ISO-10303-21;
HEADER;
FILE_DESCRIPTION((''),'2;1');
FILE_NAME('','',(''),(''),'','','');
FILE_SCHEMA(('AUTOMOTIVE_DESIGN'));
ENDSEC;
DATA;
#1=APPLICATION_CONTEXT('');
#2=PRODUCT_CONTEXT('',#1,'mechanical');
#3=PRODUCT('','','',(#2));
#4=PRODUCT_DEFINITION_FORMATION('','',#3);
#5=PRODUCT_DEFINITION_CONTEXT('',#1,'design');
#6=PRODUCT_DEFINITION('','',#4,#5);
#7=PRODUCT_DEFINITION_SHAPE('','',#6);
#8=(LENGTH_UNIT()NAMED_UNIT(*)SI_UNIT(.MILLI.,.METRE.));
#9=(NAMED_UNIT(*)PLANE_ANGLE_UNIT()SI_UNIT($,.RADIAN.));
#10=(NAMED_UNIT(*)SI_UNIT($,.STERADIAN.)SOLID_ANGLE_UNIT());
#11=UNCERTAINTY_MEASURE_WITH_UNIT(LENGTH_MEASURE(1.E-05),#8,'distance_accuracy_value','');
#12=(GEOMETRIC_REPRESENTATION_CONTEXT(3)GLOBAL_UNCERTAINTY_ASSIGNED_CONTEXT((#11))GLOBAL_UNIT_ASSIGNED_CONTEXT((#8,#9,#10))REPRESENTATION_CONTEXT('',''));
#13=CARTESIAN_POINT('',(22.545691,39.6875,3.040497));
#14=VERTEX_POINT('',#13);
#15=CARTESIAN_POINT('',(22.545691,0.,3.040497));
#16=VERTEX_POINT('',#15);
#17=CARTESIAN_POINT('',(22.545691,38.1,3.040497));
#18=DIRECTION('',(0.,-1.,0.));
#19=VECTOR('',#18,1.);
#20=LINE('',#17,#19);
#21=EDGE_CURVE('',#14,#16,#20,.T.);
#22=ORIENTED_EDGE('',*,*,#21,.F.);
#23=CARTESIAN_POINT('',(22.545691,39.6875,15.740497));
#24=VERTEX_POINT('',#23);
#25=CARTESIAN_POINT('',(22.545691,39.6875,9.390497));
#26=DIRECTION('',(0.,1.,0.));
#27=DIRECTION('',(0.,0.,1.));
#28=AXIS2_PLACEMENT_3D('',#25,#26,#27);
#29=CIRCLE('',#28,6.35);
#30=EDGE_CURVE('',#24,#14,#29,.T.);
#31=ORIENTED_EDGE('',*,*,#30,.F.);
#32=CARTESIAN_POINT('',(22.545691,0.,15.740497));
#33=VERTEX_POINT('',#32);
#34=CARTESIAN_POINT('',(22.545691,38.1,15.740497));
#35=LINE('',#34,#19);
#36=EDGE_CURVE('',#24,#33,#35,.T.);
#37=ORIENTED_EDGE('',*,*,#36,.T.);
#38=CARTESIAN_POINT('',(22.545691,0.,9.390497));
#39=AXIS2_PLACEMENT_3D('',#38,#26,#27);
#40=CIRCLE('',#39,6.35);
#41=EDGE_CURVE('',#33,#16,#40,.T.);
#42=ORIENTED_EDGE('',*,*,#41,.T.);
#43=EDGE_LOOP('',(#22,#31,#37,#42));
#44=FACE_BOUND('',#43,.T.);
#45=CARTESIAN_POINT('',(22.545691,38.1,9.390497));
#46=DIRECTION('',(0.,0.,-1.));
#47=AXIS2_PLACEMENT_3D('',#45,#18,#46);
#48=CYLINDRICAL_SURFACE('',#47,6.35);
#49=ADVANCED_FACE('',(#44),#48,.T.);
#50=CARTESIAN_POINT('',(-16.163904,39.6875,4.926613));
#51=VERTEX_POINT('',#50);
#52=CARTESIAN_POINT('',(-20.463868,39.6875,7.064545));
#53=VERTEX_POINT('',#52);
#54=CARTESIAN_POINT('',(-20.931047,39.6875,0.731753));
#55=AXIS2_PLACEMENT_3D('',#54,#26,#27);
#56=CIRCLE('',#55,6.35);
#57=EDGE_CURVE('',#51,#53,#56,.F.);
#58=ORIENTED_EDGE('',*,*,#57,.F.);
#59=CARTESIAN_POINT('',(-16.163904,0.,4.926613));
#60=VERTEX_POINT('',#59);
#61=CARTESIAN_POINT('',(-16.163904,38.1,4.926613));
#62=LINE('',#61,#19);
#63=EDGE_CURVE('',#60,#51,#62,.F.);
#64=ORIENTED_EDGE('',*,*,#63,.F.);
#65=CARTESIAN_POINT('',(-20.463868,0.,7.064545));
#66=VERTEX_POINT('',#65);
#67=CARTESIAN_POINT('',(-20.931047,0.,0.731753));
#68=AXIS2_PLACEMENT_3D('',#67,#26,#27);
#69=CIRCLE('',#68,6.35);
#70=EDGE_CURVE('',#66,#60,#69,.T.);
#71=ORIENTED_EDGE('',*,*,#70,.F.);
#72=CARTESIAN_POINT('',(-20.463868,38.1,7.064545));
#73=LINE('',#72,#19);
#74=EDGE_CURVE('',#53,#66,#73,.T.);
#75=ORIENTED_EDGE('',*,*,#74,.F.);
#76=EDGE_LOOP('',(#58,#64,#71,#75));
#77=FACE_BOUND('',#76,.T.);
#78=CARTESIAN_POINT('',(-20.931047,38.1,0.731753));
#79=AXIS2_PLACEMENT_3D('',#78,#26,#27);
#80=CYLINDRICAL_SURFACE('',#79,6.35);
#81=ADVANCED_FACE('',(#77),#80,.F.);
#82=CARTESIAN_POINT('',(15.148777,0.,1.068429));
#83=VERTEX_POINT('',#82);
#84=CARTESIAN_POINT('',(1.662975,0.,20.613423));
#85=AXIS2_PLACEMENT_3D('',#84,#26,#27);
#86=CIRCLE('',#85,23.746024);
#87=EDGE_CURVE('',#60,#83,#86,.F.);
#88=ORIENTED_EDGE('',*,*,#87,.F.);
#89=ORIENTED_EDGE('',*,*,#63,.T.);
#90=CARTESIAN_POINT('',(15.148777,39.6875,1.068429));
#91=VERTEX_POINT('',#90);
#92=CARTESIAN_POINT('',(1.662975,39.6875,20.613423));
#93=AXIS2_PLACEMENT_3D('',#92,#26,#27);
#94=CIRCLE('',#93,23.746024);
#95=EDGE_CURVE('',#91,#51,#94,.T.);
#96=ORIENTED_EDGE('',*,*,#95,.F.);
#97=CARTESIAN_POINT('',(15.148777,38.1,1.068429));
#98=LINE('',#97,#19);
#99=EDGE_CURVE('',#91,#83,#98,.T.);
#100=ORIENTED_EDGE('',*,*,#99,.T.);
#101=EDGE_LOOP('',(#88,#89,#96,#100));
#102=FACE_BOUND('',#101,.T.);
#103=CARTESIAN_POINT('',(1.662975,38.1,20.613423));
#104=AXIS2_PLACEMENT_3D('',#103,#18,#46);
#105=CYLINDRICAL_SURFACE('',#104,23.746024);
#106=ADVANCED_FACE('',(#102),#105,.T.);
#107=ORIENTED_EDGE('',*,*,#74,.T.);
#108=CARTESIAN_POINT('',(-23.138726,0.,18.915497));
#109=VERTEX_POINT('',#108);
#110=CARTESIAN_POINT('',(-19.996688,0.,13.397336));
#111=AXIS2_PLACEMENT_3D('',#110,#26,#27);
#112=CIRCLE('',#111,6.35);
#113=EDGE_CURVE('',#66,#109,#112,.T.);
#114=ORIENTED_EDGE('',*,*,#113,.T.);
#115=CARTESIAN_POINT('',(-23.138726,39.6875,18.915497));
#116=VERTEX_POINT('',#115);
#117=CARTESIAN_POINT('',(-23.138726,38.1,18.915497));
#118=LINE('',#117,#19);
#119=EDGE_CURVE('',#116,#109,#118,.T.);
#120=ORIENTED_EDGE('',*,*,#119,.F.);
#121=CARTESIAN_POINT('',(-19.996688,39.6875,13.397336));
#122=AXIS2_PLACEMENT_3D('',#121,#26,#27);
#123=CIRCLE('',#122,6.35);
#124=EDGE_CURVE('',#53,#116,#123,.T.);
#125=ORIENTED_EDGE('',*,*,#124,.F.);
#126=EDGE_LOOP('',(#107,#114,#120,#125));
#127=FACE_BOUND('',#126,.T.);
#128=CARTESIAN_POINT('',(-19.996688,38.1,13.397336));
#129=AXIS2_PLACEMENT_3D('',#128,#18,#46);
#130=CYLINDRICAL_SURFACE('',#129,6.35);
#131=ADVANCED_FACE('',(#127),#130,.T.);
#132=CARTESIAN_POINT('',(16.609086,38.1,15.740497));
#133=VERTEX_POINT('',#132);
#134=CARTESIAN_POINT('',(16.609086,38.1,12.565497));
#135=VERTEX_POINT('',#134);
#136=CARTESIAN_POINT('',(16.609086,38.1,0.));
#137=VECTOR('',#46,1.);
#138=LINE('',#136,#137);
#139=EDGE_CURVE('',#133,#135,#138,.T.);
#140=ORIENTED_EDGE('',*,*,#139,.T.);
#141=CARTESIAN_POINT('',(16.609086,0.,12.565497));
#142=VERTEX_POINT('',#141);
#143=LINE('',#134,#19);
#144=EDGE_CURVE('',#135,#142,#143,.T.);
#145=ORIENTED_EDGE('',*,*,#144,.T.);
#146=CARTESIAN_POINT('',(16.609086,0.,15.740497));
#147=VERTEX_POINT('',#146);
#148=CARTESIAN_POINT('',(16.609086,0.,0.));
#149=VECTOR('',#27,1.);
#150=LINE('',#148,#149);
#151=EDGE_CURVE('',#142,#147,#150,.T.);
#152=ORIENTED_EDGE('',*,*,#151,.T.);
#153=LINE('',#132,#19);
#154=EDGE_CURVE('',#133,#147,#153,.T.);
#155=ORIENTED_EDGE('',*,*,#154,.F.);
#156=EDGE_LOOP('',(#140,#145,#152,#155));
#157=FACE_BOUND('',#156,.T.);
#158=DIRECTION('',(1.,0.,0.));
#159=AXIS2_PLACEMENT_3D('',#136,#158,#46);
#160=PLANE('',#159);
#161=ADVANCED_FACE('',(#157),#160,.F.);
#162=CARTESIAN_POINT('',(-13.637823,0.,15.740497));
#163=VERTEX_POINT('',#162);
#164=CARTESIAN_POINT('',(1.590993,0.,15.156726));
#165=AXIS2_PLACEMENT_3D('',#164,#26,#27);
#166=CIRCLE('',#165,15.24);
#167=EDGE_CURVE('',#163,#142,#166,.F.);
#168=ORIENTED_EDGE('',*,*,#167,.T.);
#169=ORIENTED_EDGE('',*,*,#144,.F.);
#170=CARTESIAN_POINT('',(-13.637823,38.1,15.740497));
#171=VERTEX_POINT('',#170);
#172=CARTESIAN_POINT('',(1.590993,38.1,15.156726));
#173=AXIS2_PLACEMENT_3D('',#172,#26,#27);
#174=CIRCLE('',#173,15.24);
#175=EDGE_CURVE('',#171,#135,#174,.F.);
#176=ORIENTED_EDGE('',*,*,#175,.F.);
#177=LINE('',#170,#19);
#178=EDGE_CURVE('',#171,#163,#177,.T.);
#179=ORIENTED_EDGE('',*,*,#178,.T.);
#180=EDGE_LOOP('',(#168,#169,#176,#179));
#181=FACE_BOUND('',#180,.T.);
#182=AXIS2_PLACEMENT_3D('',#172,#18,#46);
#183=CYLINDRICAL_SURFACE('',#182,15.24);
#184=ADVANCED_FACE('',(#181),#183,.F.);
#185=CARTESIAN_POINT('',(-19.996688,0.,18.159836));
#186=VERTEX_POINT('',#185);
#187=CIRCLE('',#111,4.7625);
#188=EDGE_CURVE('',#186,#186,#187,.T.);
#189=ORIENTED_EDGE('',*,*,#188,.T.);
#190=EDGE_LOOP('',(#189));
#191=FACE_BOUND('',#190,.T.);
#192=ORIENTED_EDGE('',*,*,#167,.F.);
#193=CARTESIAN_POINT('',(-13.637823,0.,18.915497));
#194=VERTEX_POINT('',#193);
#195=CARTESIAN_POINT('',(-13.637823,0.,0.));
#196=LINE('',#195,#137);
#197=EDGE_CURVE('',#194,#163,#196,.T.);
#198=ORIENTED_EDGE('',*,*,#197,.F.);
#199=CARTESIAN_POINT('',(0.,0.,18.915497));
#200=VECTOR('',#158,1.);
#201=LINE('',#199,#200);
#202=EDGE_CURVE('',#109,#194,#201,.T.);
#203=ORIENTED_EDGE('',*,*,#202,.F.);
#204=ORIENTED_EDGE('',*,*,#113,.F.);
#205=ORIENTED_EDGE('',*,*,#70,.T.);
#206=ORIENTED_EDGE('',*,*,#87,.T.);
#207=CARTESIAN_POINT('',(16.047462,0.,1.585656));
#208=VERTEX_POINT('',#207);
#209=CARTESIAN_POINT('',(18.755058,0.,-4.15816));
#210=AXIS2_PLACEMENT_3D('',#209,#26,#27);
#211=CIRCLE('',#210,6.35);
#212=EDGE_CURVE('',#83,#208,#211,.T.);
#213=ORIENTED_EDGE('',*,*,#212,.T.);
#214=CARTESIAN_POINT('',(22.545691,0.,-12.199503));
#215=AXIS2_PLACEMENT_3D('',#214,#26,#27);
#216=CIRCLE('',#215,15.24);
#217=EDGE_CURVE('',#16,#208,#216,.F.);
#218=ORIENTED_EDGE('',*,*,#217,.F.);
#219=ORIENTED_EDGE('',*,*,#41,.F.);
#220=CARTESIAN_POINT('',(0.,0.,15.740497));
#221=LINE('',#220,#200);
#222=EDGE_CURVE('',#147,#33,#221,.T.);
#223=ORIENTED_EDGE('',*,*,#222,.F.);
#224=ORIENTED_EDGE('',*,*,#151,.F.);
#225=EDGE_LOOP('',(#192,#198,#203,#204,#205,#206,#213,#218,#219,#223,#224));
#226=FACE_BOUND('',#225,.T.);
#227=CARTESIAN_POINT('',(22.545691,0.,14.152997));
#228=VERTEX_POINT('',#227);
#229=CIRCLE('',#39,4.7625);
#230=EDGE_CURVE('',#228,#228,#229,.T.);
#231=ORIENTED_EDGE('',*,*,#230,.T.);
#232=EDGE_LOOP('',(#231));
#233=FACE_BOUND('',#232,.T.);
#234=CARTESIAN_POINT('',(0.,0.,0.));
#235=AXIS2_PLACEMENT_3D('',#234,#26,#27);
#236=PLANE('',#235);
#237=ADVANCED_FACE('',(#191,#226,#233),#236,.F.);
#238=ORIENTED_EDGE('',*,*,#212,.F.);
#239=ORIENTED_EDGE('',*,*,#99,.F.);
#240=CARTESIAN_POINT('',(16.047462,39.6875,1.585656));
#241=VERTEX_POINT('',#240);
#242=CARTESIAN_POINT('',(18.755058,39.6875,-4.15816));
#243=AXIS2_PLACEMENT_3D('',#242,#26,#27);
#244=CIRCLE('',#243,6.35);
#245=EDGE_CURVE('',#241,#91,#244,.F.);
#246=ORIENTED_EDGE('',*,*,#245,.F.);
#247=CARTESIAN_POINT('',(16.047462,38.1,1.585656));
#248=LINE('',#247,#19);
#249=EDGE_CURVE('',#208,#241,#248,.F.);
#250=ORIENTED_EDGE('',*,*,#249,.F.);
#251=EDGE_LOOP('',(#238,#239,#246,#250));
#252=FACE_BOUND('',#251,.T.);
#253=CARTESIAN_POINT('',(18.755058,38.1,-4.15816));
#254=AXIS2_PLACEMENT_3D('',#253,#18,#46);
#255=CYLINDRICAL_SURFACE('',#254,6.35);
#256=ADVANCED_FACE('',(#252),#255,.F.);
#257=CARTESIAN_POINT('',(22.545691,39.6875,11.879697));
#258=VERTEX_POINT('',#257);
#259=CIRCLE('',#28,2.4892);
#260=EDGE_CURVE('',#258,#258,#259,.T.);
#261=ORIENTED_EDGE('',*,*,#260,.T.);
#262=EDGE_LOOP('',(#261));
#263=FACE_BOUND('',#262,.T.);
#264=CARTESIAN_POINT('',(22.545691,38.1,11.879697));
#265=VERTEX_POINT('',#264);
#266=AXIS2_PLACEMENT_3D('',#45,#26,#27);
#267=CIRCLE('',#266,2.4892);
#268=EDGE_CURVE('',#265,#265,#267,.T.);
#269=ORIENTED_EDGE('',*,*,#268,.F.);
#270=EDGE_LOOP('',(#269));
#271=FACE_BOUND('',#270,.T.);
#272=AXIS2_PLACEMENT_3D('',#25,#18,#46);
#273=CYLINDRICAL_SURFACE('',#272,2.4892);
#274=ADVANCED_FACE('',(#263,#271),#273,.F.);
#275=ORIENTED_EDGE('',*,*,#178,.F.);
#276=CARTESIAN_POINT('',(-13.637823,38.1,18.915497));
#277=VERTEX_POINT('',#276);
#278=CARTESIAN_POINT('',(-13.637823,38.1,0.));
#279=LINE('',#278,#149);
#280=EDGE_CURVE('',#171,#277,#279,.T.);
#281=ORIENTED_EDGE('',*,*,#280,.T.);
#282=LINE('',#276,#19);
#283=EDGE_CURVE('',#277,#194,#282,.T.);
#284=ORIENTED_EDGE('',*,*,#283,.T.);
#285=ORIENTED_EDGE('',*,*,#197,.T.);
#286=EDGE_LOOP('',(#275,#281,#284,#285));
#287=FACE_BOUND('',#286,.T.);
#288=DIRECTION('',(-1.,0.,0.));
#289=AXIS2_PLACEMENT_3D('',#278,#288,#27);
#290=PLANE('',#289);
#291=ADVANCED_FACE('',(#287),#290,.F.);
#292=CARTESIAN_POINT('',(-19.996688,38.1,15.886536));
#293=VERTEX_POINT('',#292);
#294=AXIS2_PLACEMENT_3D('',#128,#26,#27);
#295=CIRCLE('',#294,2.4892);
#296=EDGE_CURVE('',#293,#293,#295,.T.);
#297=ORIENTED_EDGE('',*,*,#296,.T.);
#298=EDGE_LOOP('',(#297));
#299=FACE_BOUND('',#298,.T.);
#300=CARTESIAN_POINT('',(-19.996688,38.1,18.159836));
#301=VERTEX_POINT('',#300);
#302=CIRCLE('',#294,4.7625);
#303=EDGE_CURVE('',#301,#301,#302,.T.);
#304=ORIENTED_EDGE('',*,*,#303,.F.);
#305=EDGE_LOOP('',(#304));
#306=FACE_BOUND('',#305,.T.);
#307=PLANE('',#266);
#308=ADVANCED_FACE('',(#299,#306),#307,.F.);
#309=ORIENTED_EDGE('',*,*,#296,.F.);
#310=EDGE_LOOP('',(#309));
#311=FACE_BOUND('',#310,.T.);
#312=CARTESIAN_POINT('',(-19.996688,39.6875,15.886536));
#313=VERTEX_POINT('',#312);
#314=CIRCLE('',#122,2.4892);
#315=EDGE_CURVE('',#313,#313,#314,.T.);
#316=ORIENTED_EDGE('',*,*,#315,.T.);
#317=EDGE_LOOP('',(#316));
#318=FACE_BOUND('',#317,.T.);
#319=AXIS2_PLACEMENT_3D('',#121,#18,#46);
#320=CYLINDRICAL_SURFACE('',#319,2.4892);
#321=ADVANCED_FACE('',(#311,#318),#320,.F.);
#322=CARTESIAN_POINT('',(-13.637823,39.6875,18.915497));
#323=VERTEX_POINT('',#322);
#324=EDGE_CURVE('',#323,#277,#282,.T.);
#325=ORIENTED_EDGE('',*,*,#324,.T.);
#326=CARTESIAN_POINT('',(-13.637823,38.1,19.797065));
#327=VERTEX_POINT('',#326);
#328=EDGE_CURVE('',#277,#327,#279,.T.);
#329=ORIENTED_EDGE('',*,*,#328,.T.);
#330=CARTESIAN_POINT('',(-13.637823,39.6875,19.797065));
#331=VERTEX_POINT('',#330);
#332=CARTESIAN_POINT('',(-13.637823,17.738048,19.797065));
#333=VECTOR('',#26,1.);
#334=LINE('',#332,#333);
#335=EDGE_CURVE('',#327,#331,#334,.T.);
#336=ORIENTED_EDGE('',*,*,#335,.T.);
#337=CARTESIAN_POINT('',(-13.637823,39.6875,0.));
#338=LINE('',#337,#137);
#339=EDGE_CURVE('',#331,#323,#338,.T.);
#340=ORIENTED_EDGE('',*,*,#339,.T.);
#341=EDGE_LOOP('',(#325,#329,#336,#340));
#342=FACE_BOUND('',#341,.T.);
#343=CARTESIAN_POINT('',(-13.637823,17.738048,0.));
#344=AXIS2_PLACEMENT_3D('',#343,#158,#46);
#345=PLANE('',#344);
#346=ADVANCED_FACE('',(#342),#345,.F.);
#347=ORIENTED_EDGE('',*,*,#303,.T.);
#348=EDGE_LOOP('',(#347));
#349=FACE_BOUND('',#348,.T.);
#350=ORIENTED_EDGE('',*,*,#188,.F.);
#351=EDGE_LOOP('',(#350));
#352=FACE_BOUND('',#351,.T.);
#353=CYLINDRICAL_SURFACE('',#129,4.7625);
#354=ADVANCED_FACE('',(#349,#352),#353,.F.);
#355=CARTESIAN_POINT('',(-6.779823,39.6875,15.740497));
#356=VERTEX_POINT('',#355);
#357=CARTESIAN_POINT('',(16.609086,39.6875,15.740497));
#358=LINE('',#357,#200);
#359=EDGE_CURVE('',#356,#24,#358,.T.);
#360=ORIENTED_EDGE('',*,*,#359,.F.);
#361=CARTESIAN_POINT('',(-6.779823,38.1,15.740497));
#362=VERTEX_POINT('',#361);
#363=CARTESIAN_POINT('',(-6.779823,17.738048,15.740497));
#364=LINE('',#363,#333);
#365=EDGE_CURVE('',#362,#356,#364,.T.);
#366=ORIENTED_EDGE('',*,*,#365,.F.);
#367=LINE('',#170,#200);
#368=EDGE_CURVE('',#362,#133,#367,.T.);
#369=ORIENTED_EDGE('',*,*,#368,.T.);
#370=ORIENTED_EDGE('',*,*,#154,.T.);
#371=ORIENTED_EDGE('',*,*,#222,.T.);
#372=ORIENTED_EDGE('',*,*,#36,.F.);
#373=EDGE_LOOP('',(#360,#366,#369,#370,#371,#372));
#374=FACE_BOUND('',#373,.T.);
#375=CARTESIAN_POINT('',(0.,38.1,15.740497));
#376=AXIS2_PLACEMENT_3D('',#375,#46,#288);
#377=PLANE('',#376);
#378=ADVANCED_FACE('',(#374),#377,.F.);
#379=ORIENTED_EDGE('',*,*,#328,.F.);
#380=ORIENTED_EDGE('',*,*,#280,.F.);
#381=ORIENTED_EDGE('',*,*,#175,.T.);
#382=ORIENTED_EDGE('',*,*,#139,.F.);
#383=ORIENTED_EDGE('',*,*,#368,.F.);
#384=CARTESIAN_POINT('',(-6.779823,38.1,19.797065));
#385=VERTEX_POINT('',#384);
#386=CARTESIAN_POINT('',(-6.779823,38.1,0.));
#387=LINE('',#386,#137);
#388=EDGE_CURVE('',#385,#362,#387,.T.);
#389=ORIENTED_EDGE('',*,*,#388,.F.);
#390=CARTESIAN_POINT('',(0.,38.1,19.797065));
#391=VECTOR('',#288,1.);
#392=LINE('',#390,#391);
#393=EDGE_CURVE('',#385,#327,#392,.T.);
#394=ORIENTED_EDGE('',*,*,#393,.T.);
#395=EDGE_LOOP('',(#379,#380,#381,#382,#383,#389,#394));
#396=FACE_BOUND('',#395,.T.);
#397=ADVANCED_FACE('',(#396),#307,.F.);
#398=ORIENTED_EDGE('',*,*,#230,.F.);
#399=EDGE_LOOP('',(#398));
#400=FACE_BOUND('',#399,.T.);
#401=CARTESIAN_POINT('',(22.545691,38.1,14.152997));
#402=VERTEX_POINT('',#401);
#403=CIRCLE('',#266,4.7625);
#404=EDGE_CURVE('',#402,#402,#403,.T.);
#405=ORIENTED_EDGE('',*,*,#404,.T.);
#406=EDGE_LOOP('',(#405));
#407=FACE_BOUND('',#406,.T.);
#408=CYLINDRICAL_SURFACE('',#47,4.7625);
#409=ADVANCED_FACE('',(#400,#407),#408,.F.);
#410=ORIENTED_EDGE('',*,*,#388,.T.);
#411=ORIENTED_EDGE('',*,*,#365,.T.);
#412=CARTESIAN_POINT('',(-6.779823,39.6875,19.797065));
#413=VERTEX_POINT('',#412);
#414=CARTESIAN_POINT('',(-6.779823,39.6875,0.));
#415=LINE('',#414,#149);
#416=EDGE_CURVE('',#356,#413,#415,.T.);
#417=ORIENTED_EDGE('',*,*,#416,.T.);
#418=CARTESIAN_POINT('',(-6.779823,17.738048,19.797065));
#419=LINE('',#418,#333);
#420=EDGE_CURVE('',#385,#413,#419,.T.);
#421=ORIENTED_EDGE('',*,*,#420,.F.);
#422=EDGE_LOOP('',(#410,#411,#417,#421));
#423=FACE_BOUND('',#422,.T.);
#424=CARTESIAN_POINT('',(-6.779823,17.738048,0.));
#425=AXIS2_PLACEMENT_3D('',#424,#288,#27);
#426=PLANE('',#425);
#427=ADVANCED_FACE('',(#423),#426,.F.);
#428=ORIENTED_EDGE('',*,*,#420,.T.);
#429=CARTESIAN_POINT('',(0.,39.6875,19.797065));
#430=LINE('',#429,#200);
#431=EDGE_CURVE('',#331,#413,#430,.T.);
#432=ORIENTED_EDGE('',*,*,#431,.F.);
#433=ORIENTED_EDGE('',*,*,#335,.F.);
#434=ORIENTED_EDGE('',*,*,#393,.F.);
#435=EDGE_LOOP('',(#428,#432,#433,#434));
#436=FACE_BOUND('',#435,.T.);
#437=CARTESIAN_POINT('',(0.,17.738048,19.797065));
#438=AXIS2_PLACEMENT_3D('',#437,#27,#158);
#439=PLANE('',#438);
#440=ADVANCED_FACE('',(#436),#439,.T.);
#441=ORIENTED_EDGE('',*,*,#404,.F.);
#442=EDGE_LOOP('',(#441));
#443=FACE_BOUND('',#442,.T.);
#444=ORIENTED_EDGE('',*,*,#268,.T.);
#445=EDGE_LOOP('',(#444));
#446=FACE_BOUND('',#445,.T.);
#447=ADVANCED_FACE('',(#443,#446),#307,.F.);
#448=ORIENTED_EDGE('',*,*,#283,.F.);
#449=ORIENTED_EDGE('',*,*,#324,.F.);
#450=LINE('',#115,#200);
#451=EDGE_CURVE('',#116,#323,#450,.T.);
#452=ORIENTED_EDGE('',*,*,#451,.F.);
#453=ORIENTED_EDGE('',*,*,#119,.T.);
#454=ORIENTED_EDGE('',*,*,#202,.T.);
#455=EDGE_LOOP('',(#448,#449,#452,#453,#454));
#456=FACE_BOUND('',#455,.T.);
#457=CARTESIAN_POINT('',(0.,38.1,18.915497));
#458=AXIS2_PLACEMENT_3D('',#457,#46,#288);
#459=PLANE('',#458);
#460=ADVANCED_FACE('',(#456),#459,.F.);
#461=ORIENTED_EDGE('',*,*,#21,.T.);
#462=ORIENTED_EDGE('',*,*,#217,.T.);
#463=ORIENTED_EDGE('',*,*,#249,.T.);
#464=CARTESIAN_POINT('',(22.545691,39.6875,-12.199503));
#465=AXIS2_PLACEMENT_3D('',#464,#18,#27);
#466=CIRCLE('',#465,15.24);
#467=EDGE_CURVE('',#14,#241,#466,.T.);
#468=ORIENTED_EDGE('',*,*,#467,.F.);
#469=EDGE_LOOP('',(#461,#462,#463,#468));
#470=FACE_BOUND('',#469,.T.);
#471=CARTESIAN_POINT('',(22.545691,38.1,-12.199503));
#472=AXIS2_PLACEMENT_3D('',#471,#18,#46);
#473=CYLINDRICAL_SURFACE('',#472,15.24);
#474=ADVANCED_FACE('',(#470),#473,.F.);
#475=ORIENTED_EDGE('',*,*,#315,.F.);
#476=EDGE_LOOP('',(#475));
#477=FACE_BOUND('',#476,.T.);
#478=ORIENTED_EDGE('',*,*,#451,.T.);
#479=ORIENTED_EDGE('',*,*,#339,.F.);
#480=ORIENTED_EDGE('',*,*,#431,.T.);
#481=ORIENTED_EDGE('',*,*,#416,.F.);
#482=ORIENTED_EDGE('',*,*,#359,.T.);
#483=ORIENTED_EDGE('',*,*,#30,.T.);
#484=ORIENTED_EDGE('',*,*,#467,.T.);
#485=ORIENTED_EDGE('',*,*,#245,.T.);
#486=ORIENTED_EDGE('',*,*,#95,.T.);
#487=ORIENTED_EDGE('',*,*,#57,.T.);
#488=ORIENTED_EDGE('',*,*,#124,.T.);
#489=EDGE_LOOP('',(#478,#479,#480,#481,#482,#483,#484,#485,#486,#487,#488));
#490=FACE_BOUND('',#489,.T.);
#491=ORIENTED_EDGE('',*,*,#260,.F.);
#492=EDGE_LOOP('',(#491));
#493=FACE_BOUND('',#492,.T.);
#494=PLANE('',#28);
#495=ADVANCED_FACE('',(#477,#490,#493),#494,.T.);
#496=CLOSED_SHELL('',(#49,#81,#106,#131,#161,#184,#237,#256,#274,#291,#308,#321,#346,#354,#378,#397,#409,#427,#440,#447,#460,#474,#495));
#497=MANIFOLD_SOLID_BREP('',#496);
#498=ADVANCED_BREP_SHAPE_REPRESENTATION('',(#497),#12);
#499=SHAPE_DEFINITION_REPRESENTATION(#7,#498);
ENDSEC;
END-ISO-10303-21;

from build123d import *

# Parameters (mm, degrees)
SKETCH2_R           = 4.7625
BOSS_EXTRUDE1_DEPTH = 38.1
SKETCH3_R           = 2.4892
BOSS_EXTRUDE2_DEPTH = 1.5875
SKETCH4_W           = 6.858
SKETCH4_H           = 4.056568305
SKETCH4_W_2         = 20.112893425
SKETCH4_H_2         = 3.175
BOSS_EXTRUDE3_DEPTH = 1.5875
FILLET2_R           = 6.35


with BuildPart() as part:
    # Sketch2 → Boss-Extrude1 (new body)
    with BuildSketch(Plane(origin=(0, 0, 0), x_dir=(1, 0, 0), z_dir=(0, 1, 0))):
        with BuildLine():
            Line((-13.637822674, -18.9154966), (-13.637822674, -15.7404966))
            ThreePointArc((-13.637822674, -15.7404966), (0, 0), (16.609085938, -12.5654966))
            Line((16.609085938, -12.5654966), (16.609085938, -15.7404966))
            Line((16.609085938, -15.7404966), (22.545691393, -15.7404966))
            ThreePointArc((22.545691393, -15.7404966), (28.895691393, -9.3904966), (22.545691393, -3.0404966))
            ThreePointArc((22.545691393, -3.0404966), (18.914562129, -2.601594541), (15.492581173, -1.310168551))
            ThreePointArc((15.492581173, -1.310168551), (-2.207478742, 2.815047226), (-17.640279185, -6.783817119))
            ThreePointArc((-17.640279185, -6.783817119), (-18.810770101, -6.984553123), (-19.996688426, -7.047335697))
            ThreePointArc((-19.996688426, -7.047335697), (-26.135207048, -11.772192893), (-23.138726022, -18.9154966))
            Line((-23.138726022, -18.9154966), (-13.637822674, -18.9154966))
        make_face()
        with Locations((-19.996688426, -13.397335697)):
            Circle(SKETCH2_R, mode=Mode.SUBTRACT)
        with Locations((22.545691393, -9.3904966)):
            Circle(SKETCH2_R, mode=Mode.SUBTRACT)
    extrude(amount=BOSS_EXTRUDE1_DEPTH)

    # Sketch3 → Boss-Extrude2 (add)
    with BuildSketch(Plane(origin=(0, 38.1, 0), x_dir=(-1, 0, 0), z_dir=(0, 1, 0))):
        with BuildLine():
            Line((13.637822674, 15.7404966), (3.503807487, 15.7404966))
            Line((3.503807487, 15.7404966), (3.503807487, 12.5654966))
            Line((3.503807487, 12.5654966), (-16.609085938, 12.5654966))
            Line((-16.609085938, 12.5654966), (-16.609085938, 15.7404966))
            Line((-16.609085938, 15.7404966), (-22.545691393, 15.7404966))
            ThreePointArc((-22.545691393, 15.7404966), (-28.895691393, 9.3904966), (-22.545691393, 3.0404966))
            ThreePointArc((-22.545691393, 3.0404966), (-18.914562129, 2.601594541), (-15.492581173, 1.310168551))
            ThreePointArc((-15.492581173, 1.310168551), (2.207478742, -2.815047226), (17.640279185, 6.783817119))
            ThreePointArc((17.640279185, 6.783817119), (18.810770101, 6.984553123), (19.996688426, 7.047335697))
            ThreePointArc((19.996688426, 7.047335697), (26.135207048, 11.772192893), (23.138726022, 18.9154966))
            Line((23.138726022, 18.9154966), (13.637822674, 18.9154966))
            Line((13.637822674, 18.9154966), (13.637822674, 15.7404966))
        make_face()
        with Locations((-22.545691393, 9.3904966)):
            Circle(SKETCH3_R, mode=Mode.SUBTRACT)
        with Locations((19.996688426, 13.397335697)):
            Circle(SKETCH3_R, mode=Mode.SUBTRACT)
    extrude(amount=BOSS_EXTRUDE2_DEPTH)

    # Sketch4 → Boss-Extrude3 (add)
    with BuildSketch(Plane(origin=(0, 39.6875, 0), x_dir=(-1, 0, 0), z_dir=(0, 1, 0))):
        with Locations((10.208822674, 17.768780752)):
            Rectangle(SKETCH4_W, SKETCH4_H)
        with Locations((-6.552639226, 14.1529966)):
            Rectangle(SKETCH4_W_2, SKETCH4_H_2)
    extrude(amount=-BOSS_EXTRUDE3_DEPTH)

    # Fillet2
    fillet2_edges = [part.edges().sort_by_distance(p)[0] for p in [
        (15.492581173, 19.84375, 1.310168551),
        (-17.640279185, 19.84375, 6.783817119),
    ]]
    fillet(fillet2_edges, radius=FILLET2_R)


solid = part.part
